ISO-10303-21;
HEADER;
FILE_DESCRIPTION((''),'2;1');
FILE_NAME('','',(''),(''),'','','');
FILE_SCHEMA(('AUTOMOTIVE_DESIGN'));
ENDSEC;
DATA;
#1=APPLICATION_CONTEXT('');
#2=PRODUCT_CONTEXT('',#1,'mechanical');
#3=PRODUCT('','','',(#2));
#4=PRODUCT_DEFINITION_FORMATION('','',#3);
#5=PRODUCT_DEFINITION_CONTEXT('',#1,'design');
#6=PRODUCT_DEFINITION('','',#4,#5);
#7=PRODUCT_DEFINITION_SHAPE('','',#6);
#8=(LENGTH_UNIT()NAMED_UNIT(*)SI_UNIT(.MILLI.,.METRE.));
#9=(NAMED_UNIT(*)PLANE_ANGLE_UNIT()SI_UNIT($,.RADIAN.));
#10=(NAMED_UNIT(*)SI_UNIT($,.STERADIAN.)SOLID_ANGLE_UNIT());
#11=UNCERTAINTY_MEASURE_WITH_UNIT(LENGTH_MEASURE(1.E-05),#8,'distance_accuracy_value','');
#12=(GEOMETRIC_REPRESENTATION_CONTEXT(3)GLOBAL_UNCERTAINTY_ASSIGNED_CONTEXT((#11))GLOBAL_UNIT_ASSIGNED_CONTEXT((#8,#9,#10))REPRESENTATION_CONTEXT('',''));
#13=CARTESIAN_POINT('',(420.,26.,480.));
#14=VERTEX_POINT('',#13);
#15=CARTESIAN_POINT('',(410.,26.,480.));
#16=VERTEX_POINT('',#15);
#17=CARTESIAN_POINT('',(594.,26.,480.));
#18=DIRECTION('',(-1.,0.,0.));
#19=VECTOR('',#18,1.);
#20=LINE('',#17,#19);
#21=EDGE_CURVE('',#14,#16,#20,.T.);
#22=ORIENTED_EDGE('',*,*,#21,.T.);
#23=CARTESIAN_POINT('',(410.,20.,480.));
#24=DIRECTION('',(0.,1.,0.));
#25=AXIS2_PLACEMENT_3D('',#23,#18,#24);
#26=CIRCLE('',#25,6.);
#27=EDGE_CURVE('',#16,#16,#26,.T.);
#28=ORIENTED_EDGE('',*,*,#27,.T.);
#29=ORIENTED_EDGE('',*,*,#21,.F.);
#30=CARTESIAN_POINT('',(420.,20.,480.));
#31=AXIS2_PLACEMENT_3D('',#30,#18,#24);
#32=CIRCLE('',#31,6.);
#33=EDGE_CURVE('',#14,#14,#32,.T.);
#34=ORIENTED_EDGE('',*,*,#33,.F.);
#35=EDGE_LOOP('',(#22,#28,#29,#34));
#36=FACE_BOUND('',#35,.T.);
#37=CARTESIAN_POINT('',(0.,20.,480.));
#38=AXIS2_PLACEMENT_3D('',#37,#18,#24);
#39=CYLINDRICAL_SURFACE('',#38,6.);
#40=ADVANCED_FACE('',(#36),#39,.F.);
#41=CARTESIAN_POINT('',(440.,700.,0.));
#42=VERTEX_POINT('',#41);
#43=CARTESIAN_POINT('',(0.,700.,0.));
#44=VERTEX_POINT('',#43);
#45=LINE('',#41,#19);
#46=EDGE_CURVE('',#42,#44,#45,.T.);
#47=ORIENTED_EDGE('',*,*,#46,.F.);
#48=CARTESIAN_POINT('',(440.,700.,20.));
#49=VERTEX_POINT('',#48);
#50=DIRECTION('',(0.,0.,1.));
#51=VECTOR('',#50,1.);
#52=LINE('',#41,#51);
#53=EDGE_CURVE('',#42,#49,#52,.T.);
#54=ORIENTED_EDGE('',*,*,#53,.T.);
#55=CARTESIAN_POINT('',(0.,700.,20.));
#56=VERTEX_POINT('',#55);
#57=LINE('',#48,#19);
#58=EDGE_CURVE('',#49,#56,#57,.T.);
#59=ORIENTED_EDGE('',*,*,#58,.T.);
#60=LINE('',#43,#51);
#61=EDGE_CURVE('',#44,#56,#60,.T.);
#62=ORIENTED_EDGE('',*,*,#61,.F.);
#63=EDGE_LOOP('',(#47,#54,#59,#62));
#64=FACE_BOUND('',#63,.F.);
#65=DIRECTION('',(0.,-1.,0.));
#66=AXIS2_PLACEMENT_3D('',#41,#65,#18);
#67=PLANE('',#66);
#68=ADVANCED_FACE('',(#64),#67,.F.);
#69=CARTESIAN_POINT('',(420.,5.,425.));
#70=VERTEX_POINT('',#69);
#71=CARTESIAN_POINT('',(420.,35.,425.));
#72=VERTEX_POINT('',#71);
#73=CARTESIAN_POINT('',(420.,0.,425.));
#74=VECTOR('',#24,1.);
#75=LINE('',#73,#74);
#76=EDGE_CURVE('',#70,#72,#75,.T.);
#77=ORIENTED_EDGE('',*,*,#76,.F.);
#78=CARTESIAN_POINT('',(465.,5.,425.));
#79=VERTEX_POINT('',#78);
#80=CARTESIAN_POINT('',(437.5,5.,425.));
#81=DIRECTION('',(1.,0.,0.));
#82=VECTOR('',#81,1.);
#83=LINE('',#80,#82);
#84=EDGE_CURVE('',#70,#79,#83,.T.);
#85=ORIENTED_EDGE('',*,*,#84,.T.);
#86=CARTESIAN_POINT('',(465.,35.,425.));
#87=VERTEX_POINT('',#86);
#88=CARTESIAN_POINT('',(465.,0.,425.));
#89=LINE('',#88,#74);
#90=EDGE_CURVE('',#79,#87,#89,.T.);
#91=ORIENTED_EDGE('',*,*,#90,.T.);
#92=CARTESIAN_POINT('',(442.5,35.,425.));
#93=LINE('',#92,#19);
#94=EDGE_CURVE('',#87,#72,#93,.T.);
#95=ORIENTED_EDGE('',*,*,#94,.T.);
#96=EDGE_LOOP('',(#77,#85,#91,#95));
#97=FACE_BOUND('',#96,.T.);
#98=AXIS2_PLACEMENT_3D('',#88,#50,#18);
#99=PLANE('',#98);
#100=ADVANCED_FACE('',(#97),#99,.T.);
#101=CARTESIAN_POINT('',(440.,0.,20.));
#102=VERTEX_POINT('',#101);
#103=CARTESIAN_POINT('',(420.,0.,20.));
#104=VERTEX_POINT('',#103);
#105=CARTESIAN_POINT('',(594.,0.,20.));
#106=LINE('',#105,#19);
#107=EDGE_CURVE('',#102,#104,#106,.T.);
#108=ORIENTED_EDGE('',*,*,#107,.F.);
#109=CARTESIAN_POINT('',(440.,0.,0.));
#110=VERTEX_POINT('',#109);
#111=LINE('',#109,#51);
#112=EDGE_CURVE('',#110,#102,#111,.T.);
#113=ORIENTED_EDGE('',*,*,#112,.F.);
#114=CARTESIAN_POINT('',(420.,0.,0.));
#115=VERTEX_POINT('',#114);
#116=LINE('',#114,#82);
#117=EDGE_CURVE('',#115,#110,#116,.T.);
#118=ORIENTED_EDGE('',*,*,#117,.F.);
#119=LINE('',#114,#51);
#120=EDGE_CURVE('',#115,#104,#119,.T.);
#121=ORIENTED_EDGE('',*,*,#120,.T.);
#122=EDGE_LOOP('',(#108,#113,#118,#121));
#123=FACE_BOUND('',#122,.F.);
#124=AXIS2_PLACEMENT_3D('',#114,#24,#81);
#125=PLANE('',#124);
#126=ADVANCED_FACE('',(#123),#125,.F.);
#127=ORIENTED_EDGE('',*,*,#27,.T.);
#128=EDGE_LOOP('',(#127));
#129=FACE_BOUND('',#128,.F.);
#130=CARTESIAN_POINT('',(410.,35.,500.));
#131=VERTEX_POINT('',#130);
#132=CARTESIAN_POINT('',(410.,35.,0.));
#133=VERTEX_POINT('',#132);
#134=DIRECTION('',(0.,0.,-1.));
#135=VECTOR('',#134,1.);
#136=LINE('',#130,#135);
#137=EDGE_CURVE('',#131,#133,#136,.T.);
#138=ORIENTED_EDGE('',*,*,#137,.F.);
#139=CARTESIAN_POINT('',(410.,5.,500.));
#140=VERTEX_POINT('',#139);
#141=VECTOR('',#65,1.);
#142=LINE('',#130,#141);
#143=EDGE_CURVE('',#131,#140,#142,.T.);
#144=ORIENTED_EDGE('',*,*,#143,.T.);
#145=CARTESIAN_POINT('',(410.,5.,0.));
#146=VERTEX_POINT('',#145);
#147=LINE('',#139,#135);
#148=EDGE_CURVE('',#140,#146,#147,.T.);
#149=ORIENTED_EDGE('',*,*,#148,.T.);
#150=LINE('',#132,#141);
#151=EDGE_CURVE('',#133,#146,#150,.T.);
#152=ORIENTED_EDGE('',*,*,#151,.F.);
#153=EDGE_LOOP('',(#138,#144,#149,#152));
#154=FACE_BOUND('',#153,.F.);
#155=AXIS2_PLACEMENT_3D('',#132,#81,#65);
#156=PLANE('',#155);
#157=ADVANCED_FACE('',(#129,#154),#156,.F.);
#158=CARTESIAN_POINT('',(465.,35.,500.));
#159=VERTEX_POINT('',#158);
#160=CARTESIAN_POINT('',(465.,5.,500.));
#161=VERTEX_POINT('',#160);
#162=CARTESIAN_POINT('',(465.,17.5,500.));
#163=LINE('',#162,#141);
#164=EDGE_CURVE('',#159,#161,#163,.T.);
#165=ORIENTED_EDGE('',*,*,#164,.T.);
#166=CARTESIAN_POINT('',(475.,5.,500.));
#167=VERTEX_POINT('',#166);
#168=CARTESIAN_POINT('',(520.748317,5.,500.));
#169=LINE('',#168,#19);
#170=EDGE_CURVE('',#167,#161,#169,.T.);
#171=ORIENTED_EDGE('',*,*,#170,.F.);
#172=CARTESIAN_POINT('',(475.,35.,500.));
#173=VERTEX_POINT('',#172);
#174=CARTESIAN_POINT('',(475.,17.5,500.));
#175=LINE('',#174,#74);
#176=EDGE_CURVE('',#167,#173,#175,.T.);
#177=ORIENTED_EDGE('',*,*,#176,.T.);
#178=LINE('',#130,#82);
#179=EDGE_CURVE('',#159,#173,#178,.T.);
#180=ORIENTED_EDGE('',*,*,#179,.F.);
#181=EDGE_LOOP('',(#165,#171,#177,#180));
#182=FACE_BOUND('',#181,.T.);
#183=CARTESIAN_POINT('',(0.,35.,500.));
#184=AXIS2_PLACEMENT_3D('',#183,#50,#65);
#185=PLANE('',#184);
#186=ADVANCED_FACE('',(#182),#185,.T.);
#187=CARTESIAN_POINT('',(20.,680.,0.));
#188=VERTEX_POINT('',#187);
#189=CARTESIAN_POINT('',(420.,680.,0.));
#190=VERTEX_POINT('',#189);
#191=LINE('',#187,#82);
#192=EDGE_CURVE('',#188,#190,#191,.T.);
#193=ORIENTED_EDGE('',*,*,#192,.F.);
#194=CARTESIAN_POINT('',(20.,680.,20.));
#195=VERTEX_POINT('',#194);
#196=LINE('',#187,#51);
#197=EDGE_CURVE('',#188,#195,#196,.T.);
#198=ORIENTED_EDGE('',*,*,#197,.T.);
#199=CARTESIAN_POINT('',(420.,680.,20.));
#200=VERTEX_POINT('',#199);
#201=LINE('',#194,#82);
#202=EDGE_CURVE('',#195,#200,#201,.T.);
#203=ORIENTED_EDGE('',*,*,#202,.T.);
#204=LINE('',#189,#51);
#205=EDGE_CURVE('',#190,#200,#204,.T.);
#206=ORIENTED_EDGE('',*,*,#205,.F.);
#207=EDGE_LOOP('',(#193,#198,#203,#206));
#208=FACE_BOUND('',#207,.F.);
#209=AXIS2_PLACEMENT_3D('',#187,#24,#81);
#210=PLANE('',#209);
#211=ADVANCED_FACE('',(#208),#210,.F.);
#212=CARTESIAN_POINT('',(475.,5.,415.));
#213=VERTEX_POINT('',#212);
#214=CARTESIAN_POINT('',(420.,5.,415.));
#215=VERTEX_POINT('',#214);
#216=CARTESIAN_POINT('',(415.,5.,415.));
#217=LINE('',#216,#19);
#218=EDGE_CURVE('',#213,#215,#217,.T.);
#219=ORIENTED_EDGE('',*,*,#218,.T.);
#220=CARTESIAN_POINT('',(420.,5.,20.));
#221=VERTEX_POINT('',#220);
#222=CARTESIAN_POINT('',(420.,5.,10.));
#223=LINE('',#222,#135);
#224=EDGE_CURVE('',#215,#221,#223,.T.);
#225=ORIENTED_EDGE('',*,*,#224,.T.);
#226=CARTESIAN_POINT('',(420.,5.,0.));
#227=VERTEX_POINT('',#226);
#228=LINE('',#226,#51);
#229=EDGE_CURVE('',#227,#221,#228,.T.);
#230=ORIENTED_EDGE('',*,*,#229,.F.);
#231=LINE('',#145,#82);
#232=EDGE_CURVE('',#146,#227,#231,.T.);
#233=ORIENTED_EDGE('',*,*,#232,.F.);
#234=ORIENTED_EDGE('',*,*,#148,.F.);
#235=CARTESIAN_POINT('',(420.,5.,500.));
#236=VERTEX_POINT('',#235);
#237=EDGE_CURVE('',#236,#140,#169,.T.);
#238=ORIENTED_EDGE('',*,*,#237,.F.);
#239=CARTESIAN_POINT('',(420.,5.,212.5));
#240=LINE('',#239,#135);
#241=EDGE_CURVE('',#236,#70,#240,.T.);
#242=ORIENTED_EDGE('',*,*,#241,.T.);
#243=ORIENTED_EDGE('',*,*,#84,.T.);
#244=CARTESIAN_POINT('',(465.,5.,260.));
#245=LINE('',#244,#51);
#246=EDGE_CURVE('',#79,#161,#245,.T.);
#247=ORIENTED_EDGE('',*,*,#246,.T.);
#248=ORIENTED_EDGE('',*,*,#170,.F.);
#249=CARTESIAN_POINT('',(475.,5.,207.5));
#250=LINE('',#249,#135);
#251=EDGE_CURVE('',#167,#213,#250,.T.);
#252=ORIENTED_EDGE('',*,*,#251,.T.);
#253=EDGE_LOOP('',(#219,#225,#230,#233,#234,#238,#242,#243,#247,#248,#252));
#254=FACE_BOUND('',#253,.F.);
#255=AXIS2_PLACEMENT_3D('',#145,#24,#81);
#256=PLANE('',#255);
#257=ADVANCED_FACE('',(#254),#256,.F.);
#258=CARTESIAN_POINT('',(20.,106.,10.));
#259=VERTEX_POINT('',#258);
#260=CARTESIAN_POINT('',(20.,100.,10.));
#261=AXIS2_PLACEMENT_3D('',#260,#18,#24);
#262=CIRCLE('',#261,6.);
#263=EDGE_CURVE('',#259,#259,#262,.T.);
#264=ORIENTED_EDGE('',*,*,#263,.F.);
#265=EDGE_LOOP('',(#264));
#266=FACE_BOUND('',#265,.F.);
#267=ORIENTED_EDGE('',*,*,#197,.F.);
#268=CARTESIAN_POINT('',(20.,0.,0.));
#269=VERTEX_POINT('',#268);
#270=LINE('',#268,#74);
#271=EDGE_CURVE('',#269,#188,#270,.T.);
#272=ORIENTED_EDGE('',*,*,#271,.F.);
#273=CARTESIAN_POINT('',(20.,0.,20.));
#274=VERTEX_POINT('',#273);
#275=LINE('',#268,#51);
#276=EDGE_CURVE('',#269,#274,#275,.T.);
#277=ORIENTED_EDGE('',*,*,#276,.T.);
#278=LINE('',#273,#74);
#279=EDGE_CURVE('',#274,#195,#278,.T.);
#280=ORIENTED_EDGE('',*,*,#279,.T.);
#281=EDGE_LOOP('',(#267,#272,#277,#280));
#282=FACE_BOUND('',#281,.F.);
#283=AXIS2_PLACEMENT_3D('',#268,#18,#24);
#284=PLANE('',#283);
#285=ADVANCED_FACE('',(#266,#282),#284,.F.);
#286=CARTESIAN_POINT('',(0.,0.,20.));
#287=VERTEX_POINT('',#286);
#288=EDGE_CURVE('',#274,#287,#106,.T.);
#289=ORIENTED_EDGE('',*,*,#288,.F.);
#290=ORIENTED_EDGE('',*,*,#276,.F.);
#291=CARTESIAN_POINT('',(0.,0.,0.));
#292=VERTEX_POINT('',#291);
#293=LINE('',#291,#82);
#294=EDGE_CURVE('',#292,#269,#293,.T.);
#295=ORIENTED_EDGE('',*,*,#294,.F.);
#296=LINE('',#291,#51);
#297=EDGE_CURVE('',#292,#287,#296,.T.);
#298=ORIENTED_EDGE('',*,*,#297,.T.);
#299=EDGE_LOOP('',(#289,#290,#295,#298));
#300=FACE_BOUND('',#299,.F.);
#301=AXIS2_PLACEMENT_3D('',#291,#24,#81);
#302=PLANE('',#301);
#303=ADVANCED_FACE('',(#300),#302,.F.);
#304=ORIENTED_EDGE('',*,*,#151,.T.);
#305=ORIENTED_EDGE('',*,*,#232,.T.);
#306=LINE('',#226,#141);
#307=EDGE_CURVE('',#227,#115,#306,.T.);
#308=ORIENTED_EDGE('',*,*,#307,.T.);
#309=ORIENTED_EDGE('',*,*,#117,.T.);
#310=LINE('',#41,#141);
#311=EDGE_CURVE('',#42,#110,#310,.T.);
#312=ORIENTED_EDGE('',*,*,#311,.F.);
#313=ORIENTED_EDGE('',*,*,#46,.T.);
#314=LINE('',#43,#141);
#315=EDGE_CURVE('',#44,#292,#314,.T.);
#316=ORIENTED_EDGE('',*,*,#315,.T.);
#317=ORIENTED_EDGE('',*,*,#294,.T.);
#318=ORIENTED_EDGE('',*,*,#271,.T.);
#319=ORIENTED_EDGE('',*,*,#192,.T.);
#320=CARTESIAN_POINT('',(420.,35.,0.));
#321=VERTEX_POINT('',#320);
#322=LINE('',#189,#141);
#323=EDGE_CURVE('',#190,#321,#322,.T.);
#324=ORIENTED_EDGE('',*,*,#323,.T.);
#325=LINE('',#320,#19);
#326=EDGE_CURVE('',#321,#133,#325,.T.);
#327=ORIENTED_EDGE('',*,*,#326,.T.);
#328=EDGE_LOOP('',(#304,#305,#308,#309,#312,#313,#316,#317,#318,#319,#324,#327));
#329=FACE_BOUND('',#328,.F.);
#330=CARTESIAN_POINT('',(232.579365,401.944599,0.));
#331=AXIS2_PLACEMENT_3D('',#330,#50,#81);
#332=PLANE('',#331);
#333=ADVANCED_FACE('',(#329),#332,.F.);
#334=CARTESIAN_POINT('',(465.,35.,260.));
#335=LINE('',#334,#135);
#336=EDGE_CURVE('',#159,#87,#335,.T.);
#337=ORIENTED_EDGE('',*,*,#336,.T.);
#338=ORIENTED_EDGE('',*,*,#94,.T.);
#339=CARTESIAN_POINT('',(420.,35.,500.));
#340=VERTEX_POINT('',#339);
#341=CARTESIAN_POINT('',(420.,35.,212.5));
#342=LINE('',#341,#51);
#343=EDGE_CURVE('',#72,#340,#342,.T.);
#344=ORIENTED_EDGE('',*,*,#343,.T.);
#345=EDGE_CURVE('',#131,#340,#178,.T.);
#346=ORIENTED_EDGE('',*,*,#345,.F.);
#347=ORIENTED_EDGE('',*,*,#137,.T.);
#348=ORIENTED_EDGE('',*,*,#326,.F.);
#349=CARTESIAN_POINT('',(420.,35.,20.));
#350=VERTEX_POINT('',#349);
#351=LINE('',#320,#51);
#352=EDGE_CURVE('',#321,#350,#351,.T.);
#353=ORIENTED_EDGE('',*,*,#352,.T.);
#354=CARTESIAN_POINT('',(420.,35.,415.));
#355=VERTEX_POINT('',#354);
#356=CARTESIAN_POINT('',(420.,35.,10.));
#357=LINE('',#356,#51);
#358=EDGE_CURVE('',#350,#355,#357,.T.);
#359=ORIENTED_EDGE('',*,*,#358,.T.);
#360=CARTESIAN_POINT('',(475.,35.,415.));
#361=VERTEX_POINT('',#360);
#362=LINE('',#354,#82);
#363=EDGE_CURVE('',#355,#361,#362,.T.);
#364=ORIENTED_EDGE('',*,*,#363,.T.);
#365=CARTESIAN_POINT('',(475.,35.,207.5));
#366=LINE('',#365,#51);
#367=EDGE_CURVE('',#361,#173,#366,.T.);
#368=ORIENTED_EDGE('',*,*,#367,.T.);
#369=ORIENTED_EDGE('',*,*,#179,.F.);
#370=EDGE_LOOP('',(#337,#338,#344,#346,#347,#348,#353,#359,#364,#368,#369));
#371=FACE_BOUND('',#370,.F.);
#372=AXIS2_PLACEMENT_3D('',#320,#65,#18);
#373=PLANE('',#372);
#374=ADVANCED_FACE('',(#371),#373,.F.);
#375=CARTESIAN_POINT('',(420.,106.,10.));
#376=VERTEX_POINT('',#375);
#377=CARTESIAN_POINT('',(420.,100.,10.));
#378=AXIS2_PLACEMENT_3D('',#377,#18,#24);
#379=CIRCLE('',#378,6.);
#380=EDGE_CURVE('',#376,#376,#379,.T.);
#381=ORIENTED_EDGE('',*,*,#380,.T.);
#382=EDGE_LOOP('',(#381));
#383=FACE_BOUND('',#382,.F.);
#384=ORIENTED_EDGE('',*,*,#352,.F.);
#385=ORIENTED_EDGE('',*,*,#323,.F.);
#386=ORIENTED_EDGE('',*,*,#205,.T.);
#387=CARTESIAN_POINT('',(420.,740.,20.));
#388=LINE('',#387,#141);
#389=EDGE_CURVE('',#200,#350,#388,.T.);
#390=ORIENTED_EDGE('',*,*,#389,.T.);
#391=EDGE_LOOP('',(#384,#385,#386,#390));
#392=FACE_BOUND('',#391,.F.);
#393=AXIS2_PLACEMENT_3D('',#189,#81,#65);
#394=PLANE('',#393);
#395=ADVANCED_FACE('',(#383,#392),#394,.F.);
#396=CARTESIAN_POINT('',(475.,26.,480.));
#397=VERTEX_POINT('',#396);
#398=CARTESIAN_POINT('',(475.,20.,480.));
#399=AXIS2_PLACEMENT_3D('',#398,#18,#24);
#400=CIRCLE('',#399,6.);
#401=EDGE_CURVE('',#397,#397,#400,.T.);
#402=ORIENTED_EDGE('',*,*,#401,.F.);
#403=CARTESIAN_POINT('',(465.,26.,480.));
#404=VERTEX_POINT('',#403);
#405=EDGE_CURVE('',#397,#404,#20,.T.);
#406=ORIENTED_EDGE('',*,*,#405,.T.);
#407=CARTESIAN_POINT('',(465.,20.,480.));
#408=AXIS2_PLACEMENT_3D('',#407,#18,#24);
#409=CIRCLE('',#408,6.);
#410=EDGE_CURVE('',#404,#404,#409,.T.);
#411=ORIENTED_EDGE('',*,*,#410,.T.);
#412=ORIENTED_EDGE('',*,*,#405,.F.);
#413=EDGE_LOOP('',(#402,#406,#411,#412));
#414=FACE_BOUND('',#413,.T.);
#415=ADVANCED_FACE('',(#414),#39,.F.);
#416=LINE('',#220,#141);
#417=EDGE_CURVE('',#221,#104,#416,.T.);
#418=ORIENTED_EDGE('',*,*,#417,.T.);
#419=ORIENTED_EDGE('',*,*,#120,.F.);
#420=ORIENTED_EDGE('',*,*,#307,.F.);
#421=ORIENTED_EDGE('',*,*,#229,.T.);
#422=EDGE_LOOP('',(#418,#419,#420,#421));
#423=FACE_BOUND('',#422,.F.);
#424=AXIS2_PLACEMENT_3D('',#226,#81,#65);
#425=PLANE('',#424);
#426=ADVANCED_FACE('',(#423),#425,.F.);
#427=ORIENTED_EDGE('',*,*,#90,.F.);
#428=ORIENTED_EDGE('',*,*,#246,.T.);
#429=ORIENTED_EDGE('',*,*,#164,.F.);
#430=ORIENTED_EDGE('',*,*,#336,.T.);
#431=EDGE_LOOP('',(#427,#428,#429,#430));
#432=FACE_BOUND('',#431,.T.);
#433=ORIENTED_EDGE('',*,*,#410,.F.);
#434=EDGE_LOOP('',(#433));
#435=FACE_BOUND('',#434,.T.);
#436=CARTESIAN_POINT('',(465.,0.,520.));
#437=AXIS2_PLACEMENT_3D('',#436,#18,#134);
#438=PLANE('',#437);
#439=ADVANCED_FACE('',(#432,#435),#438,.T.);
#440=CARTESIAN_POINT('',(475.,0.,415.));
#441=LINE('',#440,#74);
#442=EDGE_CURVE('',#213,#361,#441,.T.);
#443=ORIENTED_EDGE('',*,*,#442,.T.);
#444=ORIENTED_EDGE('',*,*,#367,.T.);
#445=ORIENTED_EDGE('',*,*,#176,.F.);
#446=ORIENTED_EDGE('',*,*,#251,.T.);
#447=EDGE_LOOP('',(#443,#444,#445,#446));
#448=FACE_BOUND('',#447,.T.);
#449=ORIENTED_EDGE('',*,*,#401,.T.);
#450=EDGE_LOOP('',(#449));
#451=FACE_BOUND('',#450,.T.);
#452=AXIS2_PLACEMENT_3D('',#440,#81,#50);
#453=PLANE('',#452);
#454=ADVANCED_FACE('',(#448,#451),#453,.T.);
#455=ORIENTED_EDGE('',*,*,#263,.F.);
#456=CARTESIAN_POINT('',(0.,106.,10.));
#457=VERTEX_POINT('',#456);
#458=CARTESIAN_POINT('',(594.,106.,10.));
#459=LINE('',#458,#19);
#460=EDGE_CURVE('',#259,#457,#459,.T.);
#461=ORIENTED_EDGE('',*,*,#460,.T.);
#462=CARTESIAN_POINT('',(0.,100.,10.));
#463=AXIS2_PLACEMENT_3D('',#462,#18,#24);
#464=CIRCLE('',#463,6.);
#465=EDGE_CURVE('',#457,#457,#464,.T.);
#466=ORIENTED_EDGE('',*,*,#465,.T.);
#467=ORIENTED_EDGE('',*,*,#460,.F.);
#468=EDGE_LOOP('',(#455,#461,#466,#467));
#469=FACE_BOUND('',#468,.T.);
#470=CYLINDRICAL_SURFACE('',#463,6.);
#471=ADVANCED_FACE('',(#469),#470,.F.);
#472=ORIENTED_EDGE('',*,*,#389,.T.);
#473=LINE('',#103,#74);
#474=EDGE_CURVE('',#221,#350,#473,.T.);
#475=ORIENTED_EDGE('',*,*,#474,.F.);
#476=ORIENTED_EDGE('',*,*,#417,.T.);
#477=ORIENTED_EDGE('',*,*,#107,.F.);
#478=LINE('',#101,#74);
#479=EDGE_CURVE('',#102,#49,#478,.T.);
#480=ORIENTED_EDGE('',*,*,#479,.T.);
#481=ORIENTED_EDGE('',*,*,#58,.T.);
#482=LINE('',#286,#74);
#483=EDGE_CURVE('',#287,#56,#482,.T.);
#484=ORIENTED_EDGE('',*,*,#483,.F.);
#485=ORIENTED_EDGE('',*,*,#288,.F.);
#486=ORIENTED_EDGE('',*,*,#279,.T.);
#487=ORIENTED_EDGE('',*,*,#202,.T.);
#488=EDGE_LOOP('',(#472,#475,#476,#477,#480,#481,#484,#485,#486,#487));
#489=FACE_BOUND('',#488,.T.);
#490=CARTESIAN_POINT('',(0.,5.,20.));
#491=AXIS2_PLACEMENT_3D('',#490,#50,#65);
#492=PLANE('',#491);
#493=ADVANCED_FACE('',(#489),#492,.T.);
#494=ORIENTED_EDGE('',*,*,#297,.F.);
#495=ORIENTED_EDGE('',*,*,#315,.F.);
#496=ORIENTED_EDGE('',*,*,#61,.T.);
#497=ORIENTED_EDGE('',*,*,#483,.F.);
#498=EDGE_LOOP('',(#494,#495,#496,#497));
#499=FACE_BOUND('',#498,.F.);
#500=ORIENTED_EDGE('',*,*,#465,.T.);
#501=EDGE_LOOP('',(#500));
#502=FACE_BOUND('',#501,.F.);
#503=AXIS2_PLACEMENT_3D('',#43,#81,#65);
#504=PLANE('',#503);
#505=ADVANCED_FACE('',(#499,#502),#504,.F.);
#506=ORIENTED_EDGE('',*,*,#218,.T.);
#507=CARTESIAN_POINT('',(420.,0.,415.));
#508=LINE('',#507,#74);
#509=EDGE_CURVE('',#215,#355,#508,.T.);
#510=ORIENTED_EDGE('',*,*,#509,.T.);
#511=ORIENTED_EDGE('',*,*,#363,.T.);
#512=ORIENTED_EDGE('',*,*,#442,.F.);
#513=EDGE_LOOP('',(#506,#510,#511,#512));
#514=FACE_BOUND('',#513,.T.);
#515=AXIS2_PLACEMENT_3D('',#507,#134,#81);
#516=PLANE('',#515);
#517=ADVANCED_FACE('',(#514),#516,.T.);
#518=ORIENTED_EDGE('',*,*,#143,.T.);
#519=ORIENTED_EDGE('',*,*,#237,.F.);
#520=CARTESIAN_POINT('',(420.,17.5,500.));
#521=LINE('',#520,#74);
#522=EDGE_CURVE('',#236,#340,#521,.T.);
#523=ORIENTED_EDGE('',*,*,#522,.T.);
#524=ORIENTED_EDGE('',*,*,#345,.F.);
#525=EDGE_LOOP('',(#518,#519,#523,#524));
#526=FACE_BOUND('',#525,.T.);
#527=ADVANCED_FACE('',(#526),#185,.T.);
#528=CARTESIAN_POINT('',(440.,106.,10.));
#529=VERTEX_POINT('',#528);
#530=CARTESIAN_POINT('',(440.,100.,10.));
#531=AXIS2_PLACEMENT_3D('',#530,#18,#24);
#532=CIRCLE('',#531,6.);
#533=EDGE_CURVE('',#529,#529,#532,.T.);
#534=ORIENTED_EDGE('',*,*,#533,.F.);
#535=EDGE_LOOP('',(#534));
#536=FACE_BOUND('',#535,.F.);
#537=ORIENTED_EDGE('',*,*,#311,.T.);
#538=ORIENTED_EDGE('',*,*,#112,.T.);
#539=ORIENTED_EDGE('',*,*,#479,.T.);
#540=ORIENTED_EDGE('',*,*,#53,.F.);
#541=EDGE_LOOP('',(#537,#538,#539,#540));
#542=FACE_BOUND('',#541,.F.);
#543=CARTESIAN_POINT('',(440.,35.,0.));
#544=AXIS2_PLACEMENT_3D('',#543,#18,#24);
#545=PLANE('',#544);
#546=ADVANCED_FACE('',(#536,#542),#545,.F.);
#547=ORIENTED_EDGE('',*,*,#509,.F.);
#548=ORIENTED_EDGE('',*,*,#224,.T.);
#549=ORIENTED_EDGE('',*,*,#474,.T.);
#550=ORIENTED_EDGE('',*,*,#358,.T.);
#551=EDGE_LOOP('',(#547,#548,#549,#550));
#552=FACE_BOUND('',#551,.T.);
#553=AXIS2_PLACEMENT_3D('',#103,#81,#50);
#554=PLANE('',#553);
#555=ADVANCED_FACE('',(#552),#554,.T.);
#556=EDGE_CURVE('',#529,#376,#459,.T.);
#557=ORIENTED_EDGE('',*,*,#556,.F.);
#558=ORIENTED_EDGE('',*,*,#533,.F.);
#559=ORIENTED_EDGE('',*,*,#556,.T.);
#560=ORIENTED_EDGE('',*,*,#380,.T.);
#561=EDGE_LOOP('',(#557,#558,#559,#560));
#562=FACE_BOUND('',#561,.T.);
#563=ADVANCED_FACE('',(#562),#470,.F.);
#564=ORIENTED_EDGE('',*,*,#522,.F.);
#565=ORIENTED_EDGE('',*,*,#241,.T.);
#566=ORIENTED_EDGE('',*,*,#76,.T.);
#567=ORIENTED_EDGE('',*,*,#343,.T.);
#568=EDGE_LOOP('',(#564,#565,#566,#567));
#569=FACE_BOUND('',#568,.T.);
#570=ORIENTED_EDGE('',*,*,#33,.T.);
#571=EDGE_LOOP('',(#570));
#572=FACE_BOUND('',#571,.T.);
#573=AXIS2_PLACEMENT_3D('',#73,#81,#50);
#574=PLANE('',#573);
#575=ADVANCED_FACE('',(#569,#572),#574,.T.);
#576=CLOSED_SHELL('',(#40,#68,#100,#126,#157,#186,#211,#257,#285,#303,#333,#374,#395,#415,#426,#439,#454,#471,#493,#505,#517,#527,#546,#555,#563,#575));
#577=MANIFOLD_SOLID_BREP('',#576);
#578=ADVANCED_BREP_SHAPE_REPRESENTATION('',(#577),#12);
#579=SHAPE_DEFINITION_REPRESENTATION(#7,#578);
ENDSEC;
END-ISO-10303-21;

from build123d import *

# Parameters (mm, degrees)
F2_DEPTH = 926
F0_R     = 6
F3_DEPTH = 594
F5_DEPTH = 769


with BuildPart() as f2:
    # F1 (on Top) → F2 (new body)
    with BuildSketch(Plane.XY):
        Polygon((0, 700), (0, 0), (20, 0), (20, 680), (420, 680), (420, 35), (410, 35), (410, 5), (420, 5), (420, 0), (440, 0), (440, 5), (520.748317, 5), (520.748317, 35), (440, 35), (440, 700), align=None)
    extrude(amount=F2_DEPTH)

    # F0 (on Right) → F3 (intersect, symmetric)
    with BuildSketch(Plane.YZ):
        Polygon((0, 20), (0, 0), (800, 0), (800, 20), (35, 20), (35, 500), (5, 500), (5, 20), align=None)
        with Locations((100, 10)):
            Circle(F0_R, mode=Mode.SUBTRACT)
        with Locations((20, 480)):
            Circle(F0_R, mode=Mode.SUBTRACT)
    extrude(amount=F3_DEPTH, both=True, mode=Mode.INTERSECT)

    # F4 (on Front) → F5 (intersect)
    with BuildSketch(Plane.XZ):
        Polygon((0, 20), (0, 0), (440, 0), (440, 20), (420, 20), (420, 415), (475, 415), (475, 520), (465, 520), (465, 425), (420, 425), (420, 520), (410, 520), (410, 20), align=None)
    extrude(amount=-F5_DEPTH, mode=Mode.INTERSECT)


solid = f2.part
